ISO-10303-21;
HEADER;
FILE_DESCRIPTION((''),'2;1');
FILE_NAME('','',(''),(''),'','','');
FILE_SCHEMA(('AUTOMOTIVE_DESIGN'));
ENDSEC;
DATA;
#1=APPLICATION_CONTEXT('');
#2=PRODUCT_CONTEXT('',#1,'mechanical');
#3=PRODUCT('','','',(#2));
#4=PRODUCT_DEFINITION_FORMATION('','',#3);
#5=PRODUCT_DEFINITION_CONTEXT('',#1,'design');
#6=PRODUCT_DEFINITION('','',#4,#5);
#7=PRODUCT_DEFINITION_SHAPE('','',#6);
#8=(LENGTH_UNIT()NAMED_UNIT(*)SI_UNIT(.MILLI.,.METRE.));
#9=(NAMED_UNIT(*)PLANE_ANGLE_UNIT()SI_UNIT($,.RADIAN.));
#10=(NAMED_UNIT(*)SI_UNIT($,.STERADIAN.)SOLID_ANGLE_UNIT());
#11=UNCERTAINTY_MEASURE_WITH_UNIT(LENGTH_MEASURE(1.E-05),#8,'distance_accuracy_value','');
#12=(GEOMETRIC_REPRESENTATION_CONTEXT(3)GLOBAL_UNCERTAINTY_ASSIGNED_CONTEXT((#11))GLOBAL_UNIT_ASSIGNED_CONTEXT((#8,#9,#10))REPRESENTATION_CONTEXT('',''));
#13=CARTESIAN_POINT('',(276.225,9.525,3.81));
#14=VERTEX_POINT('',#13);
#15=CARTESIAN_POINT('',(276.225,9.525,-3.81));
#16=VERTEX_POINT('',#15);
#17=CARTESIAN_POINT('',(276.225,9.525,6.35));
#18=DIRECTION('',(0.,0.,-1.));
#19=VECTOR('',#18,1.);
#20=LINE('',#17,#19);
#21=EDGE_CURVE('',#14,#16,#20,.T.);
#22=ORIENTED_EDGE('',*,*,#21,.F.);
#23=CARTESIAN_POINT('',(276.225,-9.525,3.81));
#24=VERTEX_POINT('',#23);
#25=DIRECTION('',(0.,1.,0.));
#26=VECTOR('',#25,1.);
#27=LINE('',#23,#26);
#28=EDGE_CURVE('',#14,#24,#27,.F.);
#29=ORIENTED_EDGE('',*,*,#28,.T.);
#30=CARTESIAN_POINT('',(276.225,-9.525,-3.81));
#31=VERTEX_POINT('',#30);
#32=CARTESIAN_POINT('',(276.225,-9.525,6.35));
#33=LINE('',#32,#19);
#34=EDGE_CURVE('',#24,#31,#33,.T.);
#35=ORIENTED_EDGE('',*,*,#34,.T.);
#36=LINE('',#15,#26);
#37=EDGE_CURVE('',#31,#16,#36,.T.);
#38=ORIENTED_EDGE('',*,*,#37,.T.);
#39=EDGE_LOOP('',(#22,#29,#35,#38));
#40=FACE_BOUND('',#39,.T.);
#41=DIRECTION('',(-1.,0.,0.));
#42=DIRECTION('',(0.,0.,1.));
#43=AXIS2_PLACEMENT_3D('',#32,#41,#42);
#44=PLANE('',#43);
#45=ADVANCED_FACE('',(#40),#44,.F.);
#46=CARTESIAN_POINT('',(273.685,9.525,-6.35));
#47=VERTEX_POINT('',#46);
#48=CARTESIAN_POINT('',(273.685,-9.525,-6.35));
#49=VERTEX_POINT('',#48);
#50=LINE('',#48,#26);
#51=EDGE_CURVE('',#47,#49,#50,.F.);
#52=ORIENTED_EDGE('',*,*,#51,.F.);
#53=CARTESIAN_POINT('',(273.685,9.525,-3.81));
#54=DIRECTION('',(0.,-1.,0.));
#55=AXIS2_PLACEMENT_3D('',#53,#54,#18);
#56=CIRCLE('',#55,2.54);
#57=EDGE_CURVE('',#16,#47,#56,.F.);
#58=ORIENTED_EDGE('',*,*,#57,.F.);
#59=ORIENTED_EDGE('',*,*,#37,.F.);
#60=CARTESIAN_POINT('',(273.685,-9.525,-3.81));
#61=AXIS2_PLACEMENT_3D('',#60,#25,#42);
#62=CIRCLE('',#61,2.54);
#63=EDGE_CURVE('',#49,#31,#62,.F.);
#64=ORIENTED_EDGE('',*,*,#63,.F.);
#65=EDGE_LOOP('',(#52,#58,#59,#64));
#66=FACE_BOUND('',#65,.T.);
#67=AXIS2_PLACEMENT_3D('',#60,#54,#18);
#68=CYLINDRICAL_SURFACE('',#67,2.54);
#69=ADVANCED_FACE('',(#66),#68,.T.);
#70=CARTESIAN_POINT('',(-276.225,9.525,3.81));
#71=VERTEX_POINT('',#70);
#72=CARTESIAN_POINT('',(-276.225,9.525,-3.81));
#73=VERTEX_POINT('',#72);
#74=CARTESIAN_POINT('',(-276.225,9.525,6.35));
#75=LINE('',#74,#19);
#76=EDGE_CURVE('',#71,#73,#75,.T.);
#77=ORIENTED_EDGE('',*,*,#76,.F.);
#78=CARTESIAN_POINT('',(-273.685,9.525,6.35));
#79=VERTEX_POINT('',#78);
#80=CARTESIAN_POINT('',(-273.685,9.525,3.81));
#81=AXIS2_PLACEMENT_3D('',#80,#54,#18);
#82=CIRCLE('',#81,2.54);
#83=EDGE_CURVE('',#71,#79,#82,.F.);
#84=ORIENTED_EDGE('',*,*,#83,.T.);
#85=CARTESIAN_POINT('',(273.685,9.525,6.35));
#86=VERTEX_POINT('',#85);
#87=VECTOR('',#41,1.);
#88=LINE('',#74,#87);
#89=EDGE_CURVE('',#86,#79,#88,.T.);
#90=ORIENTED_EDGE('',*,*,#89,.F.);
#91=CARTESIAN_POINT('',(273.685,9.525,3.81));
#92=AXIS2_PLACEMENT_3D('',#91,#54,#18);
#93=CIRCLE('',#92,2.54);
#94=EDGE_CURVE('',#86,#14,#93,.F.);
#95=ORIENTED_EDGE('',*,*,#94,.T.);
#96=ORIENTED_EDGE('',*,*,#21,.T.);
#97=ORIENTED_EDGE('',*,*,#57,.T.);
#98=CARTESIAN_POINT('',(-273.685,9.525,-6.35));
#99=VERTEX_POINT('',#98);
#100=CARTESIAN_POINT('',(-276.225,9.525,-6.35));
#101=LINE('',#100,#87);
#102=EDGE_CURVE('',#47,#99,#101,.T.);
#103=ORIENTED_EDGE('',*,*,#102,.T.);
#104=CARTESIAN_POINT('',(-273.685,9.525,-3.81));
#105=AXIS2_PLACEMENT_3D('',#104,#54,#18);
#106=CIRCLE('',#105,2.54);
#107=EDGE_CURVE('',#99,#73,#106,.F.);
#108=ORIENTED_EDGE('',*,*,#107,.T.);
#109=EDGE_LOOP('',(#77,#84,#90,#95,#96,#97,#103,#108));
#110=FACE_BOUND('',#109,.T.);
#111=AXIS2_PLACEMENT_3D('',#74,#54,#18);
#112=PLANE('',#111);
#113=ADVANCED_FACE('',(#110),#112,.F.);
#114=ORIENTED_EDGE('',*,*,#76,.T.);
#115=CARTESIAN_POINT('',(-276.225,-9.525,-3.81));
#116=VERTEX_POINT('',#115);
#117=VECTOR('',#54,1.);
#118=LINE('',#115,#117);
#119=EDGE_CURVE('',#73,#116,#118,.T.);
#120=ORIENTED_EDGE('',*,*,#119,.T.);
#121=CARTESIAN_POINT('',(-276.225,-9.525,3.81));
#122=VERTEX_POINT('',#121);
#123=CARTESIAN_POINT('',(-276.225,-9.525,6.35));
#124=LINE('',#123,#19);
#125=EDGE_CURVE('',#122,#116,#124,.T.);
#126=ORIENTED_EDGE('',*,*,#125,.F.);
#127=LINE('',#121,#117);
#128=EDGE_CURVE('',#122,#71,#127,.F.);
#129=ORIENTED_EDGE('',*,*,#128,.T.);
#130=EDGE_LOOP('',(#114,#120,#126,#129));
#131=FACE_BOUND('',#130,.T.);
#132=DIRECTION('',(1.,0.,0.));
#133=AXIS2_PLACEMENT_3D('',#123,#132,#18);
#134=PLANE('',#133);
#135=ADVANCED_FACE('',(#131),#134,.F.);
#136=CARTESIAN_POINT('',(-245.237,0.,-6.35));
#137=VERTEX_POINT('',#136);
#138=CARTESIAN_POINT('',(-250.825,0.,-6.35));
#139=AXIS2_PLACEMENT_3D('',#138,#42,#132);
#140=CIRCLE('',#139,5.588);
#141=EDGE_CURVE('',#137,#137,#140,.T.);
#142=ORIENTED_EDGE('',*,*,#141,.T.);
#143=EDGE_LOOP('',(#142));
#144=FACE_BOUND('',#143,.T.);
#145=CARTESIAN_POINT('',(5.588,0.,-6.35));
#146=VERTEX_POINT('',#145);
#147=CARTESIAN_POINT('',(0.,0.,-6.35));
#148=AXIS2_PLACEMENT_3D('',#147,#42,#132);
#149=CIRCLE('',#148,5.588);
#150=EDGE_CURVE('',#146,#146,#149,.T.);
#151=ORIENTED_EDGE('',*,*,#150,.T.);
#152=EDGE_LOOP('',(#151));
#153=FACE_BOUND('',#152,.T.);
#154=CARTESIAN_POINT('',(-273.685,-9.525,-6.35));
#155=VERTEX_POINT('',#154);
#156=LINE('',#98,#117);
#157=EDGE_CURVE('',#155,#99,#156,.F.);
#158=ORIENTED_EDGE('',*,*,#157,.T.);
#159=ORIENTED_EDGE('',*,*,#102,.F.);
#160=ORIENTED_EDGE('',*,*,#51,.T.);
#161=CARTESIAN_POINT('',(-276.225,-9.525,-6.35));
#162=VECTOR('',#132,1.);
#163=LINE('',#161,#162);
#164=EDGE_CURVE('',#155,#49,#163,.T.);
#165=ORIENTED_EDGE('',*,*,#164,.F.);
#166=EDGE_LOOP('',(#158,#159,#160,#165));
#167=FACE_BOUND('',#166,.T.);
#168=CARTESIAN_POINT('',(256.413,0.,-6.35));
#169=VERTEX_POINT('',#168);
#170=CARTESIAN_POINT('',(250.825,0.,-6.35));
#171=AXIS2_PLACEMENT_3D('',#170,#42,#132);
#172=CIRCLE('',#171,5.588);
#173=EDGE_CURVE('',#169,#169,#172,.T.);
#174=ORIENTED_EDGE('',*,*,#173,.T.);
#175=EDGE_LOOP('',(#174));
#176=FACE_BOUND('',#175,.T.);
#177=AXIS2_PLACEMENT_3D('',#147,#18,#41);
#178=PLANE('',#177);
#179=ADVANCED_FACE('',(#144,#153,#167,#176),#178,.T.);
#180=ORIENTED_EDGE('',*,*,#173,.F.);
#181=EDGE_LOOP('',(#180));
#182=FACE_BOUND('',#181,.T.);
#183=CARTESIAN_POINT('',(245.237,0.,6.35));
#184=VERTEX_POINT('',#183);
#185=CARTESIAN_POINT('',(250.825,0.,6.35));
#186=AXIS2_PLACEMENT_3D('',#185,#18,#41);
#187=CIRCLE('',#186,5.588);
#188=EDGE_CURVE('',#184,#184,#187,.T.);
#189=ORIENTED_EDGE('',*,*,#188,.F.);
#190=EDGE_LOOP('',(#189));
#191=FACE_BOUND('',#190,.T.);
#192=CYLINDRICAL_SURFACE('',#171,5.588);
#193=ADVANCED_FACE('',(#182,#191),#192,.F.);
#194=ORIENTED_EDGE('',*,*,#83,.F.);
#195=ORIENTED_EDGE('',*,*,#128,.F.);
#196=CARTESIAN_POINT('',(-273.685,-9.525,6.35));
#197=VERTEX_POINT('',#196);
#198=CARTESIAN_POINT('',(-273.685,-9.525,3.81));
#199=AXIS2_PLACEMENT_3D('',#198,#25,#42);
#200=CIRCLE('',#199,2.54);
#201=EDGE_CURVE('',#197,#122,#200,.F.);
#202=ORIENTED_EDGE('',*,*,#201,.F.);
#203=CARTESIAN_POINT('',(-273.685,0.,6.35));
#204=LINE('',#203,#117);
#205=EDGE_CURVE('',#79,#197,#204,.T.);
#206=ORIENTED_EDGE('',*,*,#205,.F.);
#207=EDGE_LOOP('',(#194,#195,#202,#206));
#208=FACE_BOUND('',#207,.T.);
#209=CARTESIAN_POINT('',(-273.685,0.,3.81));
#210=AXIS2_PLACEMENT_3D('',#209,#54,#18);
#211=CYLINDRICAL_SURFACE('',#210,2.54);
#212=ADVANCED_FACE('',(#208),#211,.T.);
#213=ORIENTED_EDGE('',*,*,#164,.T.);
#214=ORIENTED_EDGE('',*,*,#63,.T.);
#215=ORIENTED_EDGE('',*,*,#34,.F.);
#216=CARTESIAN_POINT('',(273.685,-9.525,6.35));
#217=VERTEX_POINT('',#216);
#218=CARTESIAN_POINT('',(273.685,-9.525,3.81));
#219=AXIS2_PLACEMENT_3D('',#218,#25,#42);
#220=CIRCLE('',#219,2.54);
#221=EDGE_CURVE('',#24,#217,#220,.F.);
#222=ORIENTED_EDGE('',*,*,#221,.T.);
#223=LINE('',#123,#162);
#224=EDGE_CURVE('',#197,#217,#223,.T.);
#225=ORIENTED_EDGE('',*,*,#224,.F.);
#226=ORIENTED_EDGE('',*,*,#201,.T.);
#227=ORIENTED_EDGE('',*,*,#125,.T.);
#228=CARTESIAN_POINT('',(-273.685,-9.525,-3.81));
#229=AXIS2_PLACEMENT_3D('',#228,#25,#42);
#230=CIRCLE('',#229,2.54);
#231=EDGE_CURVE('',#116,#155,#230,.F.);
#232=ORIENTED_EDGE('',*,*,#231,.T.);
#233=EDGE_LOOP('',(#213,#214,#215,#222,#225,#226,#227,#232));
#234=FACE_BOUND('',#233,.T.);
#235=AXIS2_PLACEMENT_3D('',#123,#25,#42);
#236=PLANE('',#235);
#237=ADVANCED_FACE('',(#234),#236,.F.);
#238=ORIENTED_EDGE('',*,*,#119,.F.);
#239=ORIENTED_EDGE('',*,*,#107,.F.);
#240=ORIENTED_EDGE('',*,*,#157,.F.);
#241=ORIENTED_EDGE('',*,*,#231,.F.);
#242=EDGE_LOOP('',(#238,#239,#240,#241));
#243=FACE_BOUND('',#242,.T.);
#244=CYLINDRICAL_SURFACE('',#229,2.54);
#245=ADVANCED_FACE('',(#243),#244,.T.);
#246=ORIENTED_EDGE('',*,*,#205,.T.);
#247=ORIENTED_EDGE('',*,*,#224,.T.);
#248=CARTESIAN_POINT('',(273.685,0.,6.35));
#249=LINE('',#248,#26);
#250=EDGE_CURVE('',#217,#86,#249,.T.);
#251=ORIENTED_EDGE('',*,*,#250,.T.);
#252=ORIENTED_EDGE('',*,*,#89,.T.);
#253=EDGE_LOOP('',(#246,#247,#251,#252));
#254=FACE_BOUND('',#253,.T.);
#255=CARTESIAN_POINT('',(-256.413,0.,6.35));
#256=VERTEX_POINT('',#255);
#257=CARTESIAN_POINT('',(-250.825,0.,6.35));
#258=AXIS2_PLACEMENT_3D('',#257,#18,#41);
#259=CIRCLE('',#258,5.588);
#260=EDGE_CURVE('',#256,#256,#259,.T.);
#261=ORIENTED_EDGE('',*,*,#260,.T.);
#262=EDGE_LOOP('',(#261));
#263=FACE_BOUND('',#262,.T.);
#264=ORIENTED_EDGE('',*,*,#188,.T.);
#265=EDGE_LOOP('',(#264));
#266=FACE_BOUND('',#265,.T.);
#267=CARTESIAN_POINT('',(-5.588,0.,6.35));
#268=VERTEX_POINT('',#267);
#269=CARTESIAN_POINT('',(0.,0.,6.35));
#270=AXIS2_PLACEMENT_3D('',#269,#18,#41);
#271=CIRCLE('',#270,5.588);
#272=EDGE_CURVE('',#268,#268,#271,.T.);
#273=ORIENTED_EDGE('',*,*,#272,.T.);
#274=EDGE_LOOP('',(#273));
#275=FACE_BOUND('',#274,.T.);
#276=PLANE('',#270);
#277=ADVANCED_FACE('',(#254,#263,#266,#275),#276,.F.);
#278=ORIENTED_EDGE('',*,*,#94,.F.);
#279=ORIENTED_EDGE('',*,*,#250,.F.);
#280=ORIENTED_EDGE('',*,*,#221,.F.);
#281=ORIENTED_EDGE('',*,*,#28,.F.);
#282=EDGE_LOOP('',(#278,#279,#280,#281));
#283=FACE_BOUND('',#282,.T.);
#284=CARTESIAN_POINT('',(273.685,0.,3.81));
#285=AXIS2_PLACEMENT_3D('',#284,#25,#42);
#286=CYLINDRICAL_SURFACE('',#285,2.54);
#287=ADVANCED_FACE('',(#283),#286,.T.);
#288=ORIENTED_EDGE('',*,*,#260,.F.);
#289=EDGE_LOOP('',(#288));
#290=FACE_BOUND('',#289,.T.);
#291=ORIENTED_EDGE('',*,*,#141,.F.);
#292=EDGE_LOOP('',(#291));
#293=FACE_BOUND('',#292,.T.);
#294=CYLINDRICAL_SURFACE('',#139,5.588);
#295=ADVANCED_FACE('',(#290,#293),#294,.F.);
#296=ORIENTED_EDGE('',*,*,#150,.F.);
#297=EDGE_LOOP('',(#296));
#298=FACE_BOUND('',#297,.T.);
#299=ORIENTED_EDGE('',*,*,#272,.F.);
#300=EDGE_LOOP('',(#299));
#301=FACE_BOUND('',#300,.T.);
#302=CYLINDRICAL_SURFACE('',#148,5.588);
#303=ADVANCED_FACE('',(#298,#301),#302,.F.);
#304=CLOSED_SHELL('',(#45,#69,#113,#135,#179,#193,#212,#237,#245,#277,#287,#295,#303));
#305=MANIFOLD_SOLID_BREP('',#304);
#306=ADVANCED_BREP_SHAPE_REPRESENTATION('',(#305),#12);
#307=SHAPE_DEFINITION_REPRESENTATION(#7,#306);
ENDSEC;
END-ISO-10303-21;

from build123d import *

# Parameters (mm, degrees)
SKETCH1_W               = 552.45
SKETCH1_H               = 19.05
BOSS_EXTRUDE1_DEPTH     = 6.35
CUT_EXTRUDE1_DEPTH      = 277.680802099
CUT_EXTRUDE1_DEPTH_BACK = 277.680802099
SKETCH2_R               = 5.588
FILLET1_R               = 2.54


with BuildPart() as part:
    # Sketch1 → Boss-Extrude1 (new, symmetric)
    with BuildSketch(Plane.XY):
        Rectangle(SKETCH1_W, SKETCH1_H)
    extrude(amount=BOSS_EXTRUDE1_DEPTH, both=True)

    # Sketch2 → Cut-Extrude1 (cut, two sides: drawn at the far end of the back side and taken through both)
    with BuildSketch(Plane.XY.offset(6.35).offset(-CUT_EXTRUDE1_DEPTH_BACK)):
        Circle(SKETCH2_R)
        with Locations((250.825, 0)):
            Circle(SKETCH2_R)
        with Locations((-250.825, 0)):
            Circle(SKETCH2_R)
    extrude(amount=CUT_EXTRUDE1_DEPTH + CUT_EXTRUDE1_DEPTH_BACK, mode=Mode.SUBTRACT)

    # Fillet1
    fillet1_edges = [part.edges().sort_by_distance(p)[0] for p in [
        (-276.225, 0, 6.35),
        (276.225, 0, 6.35),
        (-276.225, 0, -6.35),
        (276.225, 0, -6.35),
    ]]
    fillet(fillet1_edges, radius=FILLET1_R)


solid = part.part
